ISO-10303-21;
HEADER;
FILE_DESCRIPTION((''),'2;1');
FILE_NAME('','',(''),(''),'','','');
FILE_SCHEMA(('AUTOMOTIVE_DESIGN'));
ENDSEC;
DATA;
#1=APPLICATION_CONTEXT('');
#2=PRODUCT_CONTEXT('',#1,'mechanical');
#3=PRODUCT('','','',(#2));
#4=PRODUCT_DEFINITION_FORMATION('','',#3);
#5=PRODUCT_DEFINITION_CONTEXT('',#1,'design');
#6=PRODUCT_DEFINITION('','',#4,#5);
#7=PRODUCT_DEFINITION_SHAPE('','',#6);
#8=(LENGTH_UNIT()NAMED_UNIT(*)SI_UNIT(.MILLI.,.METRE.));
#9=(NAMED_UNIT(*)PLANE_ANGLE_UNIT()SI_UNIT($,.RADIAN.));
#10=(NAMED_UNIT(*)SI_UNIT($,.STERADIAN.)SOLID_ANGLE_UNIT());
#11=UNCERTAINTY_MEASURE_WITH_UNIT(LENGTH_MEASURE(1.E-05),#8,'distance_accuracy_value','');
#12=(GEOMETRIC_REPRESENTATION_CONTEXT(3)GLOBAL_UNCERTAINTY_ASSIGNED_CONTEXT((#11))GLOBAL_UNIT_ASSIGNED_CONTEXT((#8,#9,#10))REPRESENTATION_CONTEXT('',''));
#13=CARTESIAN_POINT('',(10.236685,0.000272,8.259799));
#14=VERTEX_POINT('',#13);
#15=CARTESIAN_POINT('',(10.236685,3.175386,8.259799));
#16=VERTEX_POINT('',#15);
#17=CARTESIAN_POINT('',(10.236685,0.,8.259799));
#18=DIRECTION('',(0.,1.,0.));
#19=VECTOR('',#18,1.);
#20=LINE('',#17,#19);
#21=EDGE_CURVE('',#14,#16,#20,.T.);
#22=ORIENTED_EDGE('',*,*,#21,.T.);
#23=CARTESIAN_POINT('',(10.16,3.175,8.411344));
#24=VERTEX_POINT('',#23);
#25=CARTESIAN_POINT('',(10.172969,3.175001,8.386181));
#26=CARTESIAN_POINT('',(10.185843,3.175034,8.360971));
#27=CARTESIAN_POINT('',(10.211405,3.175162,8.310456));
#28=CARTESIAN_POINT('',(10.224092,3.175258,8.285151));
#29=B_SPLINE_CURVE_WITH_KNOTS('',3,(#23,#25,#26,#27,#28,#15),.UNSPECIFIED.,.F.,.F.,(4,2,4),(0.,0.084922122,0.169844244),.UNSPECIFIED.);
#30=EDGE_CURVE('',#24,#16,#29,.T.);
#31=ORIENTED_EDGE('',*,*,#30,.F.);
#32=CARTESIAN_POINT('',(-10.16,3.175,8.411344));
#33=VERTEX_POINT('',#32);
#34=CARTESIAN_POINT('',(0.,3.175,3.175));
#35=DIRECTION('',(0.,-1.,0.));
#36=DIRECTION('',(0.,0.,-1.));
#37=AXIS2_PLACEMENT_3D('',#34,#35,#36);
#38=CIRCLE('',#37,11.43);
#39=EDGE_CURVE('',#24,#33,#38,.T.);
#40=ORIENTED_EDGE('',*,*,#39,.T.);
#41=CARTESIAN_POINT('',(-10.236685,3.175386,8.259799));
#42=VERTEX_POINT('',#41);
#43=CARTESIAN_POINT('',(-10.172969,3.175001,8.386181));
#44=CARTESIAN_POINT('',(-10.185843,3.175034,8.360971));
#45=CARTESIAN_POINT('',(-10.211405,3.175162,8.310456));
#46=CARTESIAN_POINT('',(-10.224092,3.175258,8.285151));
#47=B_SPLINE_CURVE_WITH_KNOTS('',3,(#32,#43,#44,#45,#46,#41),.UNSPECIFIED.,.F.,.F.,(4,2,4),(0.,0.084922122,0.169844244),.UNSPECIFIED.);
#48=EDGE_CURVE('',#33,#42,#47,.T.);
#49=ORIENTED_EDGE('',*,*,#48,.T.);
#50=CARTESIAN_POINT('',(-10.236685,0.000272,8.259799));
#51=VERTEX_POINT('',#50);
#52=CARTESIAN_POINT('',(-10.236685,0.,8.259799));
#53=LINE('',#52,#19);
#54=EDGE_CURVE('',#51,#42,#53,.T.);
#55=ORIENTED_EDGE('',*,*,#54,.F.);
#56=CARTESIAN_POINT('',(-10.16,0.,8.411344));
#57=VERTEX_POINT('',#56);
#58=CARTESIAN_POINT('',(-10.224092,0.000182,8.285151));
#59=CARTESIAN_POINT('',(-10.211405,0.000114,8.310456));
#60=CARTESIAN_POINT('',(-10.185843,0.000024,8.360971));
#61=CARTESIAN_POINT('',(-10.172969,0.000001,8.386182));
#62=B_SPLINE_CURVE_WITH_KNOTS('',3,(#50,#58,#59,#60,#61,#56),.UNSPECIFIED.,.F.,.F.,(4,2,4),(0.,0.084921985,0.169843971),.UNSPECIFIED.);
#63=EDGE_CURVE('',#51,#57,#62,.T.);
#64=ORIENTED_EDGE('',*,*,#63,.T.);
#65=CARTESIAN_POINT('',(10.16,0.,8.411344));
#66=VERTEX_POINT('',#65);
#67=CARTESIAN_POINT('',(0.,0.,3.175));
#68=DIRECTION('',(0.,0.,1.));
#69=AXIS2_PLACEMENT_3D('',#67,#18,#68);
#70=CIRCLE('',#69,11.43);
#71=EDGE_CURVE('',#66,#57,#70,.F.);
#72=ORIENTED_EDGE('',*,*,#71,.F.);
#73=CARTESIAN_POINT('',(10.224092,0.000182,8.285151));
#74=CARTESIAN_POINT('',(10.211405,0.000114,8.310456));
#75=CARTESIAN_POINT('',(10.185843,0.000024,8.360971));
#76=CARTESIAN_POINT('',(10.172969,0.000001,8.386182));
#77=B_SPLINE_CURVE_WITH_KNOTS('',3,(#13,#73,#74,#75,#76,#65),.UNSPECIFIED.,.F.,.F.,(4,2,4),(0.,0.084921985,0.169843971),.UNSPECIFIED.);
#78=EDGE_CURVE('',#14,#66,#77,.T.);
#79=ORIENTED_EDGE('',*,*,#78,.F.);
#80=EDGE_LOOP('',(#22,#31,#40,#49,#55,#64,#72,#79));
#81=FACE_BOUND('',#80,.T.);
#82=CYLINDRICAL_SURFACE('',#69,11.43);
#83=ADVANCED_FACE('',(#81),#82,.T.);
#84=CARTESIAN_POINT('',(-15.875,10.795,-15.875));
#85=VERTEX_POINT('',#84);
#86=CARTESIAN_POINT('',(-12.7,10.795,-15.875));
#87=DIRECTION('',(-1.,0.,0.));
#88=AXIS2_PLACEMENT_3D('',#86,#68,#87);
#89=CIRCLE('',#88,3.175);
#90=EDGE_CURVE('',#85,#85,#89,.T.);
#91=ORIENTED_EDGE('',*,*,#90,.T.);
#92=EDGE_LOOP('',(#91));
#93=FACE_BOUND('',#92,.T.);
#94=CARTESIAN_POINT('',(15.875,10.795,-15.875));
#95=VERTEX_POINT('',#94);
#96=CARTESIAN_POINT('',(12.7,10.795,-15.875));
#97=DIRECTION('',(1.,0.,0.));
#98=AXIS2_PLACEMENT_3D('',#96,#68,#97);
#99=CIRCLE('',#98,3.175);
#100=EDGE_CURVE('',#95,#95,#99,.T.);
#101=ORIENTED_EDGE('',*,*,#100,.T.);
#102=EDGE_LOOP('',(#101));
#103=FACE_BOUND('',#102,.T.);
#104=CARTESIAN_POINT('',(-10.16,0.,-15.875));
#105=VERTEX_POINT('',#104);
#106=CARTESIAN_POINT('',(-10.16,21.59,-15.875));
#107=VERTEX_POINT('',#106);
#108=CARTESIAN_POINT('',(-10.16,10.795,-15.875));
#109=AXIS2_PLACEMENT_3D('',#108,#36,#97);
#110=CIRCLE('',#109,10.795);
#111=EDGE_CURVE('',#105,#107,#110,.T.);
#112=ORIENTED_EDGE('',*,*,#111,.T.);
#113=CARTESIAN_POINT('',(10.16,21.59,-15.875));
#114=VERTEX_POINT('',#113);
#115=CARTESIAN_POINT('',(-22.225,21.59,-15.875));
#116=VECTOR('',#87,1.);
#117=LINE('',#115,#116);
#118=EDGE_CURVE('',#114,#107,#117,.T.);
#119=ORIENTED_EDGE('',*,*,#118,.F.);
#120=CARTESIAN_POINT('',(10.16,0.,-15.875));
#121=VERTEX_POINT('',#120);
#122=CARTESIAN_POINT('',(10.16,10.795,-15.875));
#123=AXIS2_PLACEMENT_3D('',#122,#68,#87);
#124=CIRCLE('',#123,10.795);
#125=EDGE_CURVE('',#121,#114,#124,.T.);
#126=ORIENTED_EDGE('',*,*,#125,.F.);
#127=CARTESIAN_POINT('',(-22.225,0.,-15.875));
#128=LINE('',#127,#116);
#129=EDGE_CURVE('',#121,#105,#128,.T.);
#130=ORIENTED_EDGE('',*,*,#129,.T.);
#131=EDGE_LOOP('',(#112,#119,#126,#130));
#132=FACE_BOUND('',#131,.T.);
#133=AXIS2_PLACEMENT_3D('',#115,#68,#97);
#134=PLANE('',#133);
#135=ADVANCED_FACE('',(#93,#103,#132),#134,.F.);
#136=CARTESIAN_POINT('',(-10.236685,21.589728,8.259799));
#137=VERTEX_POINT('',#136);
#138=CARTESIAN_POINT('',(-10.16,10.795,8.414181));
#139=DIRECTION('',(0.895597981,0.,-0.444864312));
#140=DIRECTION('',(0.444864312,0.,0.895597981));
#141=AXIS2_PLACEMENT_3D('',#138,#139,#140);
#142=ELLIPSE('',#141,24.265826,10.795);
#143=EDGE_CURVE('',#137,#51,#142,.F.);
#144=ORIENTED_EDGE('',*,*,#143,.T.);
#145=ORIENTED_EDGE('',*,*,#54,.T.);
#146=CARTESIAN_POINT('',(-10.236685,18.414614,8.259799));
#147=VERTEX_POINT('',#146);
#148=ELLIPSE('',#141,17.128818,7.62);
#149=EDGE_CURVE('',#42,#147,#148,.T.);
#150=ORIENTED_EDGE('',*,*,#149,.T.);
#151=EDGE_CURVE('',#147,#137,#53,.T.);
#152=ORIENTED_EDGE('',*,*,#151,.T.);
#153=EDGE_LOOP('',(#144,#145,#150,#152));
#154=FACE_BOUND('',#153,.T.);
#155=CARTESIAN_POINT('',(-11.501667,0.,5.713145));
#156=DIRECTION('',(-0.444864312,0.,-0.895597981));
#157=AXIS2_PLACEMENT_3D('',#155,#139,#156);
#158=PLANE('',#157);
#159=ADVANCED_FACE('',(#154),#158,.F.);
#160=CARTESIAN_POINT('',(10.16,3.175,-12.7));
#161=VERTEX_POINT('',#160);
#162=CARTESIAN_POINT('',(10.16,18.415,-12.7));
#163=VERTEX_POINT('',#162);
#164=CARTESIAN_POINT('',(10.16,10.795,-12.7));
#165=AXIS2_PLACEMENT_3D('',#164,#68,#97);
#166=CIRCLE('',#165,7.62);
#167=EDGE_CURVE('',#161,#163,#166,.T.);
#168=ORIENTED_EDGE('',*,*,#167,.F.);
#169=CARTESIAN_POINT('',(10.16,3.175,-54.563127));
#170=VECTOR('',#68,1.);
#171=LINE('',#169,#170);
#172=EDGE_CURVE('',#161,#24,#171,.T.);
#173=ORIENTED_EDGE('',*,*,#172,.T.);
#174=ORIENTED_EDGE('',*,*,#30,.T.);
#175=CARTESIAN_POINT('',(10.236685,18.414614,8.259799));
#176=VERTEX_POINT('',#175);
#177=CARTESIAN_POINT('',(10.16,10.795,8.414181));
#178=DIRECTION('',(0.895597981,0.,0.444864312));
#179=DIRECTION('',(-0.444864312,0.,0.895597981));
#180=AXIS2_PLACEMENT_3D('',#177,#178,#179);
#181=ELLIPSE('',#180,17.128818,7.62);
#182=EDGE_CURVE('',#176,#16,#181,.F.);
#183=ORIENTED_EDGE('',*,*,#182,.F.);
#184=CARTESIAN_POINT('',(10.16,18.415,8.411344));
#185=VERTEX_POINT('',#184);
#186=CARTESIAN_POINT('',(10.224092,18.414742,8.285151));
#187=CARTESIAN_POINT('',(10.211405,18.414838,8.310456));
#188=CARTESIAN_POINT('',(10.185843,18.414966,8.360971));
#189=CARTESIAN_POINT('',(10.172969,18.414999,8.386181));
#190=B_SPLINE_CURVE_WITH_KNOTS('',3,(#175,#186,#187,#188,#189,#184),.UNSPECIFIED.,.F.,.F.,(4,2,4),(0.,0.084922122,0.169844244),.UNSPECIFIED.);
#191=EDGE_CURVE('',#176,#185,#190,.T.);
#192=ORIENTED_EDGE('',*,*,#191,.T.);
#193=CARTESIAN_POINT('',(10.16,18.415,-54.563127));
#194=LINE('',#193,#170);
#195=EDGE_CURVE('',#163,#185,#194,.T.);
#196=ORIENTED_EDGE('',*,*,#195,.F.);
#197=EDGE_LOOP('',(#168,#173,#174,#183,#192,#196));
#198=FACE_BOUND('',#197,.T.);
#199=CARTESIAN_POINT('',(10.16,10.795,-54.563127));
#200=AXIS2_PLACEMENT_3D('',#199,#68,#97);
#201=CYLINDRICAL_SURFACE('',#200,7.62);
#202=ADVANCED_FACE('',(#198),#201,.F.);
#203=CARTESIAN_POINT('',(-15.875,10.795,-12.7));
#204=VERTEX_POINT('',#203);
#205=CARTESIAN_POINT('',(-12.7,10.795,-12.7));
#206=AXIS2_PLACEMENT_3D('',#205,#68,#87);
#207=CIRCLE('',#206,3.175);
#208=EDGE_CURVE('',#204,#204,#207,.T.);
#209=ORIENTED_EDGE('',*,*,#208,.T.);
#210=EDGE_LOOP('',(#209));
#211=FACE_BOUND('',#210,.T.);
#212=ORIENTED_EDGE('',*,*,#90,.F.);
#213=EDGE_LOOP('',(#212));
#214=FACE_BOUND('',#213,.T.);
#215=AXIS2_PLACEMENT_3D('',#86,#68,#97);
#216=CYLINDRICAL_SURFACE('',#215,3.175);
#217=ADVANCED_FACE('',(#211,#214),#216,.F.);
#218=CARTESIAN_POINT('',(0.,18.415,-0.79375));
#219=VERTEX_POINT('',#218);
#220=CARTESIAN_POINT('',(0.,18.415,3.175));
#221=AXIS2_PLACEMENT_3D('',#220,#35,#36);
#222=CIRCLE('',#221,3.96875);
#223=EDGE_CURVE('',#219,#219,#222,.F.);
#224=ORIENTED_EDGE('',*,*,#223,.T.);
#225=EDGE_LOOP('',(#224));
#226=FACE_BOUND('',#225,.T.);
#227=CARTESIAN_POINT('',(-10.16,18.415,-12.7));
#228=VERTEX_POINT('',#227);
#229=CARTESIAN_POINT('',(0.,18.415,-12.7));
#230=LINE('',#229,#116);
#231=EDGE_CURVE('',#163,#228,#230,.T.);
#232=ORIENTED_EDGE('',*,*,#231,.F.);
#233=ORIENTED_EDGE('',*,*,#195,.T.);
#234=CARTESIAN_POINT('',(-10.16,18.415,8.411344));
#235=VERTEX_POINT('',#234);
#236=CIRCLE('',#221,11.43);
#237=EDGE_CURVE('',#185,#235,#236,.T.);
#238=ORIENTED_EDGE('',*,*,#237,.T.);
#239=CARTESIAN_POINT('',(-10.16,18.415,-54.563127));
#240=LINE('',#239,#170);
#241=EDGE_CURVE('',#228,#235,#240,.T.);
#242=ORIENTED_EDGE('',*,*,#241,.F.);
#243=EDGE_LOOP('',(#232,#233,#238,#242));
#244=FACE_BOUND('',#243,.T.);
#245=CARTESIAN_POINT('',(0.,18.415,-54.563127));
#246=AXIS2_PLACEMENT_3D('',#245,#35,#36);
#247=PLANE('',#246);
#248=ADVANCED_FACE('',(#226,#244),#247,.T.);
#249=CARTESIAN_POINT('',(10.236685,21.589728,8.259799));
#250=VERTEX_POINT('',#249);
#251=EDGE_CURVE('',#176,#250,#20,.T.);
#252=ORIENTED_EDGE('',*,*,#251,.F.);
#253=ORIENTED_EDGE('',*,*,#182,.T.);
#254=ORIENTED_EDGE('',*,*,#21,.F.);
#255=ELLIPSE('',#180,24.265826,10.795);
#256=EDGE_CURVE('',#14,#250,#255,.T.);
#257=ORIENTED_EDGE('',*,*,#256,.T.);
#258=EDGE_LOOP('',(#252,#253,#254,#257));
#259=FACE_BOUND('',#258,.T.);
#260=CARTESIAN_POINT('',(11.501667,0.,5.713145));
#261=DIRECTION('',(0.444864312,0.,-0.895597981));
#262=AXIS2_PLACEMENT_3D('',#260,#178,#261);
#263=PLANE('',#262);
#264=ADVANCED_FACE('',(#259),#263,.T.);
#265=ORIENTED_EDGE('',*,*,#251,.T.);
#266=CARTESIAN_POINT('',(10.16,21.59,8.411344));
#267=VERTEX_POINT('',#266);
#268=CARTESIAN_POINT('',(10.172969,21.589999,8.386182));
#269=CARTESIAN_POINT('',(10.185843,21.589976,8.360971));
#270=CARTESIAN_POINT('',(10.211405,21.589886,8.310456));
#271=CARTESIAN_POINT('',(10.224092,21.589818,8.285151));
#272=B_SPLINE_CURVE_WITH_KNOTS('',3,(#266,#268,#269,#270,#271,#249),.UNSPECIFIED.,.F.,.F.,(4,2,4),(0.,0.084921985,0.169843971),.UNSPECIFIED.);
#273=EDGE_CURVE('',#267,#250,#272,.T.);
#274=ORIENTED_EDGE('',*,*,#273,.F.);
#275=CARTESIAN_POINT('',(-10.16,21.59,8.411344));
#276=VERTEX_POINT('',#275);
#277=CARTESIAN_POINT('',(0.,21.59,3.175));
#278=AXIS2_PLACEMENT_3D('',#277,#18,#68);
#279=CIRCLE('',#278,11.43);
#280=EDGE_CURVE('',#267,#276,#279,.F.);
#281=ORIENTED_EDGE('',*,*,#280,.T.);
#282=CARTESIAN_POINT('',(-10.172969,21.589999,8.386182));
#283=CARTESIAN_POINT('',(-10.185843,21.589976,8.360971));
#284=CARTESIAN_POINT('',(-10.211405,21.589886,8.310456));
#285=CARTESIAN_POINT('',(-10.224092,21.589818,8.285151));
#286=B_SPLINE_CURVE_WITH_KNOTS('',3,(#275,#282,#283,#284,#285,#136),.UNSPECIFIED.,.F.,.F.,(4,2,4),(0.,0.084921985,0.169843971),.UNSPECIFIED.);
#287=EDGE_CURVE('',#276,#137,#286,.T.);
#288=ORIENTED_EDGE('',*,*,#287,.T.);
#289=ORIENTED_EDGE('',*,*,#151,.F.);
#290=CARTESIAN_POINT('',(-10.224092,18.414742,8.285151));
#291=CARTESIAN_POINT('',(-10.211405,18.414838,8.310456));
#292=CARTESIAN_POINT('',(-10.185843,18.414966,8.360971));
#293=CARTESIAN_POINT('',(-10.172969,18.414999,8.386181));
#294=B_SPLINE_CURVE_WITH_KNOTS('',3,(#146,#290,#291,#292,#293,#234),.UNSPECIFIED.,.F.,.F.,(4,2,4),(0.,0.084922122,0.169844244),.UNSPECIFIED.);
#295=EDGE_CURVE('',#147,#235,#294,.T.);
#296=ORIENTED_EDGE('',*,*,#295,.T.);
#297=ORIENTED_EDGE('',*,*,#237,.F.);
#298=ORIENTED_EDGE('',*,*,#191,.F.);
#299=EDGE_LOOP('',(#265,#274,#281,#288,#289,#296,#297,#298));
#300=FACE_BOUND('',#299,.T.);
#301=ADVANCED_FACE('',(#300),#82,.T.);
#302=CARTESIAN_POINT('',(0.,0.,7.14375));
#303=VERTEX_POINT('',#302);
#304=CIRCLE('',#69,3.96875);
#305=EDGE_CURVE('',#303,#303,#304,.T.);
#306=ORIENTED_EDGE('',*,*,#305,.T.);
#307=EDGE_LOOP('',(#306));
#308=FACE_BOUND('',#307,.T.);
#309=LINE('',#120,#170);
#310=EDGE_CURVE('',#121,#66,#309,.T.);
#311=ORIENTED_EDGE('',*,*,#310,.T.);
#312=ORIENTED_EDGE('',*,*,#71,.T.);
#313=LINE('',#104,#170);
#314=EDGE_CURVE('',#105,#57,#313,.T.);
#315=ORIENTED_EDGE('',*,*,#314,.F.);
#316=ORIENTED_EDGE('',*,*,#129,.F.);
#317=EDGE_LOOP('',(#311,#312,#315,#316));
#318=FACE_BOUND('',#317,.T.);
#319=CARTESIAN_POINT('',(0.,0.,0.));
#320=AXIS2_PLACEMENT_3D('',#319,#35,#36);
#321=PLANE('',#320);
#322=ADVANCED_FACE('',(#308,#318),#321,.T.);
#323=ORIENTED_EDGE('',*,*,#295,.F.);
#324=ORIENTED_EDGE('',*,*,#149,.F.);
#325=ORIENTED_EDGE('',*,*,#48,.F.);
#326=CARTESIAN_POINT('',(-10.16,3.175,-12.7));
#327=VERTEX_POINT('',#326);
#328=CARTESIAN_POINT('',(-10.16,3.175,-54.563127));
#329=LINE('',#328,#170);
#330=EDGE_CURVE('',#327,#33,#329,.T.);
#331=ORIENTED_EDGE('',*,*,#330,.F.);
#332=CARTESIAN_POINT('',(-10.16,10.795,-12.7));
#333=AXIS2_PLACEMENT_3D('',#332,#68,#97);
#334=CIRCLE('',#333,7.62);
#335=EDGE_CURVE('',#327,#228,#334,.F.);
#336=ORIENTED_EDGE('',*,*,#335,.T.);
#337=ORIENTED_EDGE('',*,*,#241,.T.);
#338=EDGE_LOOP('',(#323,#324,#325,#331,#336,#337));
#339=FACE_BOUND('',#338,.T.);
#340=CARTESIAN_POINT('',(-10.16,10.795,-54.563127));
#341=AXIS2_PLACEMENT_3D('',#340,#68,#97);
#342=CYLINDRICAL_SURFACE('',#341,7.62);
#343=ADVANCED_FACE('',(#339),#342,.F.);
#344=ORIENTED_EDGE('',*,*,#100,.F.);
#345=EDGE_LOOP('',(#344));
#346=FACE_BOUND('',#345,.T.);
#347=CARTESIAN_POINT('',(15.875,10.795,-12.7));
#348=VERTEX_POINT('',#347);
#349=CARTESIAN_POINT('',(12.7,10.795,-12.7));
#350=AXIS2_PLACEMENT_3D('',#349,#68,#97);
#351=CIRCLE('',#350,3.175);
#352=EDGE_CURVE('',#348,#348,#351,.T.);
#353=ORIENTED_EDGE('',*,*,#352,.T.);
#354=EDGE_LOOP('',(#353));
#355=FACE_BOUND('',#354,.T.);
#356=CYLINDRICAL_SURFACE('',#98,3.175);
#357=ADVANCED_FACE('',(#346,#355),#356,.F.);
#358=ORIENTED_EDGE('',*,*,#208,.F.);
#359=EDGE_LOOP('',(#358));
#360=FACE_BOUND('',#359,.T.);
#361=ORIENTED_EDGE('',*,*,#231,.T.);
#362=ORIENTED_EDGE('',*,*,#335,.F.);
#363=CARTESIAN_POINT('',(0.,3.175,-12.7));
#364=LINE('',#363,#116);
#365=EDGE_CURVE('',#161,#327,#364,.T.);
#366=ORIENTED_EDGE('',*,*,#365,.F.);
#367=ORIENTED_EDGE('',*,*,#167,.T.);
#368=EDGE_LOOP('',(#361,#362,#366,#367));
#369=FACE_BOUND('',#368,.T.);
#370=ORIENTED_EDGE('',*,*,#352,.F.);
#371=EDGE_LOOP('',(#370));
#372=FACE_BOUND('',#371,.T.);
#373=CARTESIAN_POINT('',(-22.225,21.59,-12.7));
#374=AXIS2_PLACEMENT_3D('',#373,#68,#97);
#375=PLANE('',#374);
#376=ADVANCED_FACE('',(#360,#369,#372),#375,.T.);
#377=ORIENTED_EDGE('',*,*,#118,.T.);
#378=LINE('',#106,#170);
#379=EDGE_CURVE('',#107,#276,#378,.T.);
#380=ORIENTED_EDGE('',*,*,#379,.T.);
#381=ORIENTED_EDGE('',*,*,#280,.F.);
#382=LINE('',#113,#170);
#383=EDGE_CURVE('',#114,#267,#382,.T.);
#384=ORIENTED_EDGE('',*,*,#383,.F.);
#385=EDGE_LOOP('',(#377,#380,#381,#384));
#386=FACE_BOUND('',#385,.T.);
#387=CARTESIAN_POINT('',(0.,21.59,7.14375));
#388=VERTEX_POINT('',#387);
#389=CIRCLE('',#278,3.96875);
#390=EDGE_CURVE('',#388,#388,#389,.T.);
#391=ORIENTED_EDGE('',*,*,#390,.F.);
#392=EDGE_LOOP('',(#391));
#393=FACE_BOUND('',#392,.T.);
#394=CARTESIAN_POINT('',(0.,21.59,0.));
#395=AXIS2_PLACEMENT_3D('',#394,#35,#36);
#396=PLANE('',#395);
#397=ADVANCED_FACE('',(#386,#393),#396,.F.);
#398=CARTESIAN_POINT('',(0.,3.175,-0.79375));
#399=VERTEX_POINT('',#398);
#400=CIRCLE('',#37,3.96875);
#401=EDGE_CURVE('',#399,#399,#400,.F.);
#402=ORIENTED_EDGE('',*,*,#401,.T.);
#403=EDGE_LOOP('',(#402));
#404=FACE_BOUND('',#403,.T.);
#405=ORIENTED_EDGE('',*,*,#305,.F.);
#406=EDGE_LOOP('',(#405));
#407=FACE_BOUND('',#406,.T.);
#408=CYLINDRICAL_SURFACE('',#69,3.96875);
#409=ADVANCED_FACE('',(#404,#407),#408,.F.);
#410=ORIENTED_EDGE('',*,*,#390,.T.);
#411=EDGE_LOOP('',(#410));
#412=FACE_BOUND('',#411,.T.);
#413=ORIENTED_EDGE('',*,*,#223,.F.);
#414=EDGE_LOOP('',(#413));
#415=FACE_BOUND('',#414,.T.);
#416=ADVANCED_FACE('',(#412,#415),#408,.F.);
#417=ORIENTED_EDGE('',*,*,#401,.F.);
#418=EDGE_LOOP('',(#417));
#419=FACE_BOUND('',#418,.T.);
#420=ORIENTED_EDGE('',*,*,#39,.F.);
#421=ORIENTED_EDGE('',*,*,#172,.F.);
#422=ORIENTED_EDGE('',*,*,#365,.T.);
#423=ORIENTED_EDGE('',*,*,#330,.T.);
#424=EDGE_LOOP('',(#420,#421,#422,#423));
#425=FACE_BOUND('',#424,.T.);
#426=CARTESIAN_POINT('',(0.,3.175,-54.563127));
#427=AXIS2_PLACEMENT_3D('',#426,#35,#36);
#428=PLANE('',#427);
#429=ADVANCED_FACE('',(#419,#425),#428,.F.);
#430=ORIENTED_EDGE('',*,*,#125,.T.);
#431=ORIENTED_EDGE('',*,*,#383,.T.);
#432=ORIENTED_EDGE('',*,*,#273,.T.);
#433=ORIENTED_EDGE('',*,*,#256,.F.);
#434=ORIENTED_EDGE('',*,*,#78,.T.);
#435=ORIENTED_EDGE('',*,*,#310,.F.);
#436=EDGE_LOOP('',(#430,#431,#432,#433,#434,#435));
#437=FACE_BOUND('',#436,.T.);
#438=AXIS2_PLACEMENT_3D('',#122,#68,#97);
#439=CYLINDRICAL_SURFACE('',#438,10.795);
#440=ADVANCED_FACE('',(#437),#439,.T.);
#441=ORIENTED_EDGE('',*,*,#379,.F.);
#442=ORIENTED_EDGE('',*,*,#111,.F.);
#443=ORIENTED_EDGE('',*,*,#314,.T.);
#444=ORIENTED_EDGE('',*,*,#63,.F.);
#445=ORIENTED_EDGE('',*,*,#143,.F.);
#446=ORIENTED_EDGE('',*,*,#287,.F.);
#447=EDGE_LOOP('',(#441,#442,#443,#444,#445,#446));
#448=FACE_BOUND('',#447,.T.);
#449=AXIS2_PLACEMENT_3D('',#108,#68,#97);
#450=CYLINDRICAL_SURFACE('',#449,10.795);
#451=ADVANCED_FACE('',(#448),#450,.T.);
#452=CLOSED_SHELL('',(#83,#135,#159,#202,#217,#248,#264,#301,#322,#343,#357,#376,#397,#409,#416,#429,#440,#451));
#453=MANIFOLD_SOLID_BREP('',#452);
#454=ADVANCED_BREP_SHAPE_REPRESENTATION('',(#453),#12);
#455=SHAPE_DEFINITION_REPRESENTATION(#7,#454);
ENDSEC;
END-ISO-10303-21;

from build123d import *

# Parameters (mm, degrees)
SKETCH1_W          = 44.45
SKETCH1_H          = 31.75
BILLET_DEPTH       = 21.59
SKETCH2_R          = 3.96875
MILL_CUT_1_DEPTH   = 22.59
CUT_EXTRUDE1_DEPTH = 27.305
CUT_EXTRUDE2_DEPTH = 31.48
SKETCH9_R          = 3.175
HOLES_DEPTH        = 4.1750001


with BuildPart() as part:
    # Sketch1 → Billet (new body)
    with BuildSketch(Plane(origin=(0, 0, 0), x_dir=(1, 0, 0), z_dir=(0, 1, 0))):
        Rectangle(SKETCH1_W, SKETCH1_H)
    extrude(amount=BILLET_DEPTH)

    # Sketch2 → Mill Cut 1 (cut, through all)
    with BuildSketch(Plane(origin=(0, 21.59, 0), x_dir=(1, 0, 0), z_dir=(0, 1, 0))):
        with Locations((0, -3.175)):
            Circle(SKETCH2_R)
        with BuildLine():
            Line((-10.236684927, -8.259799082), (-22.225, 15.875))
            Line((-22.225, 15.875), (-22.225, -15.875))
            Line((-22.225, -15.875), (22.225, -15.875))
            Line((22.225, -15.875), (22.225, 15.875))
            Line((22.225, 15.875), (10.236684927, -8.259799082))
            ThreePointArc((10.236684927, -8.259799082), (0, -14.605), (-10.236684927, -8.259799082))
        make_face()
    extrude(amount=-MILL_CUT_1_DEPTH, mode=Mode.SUBTRACT)

    # Sketch6 → Cut-Extrude1 (cut)
    with BuildSketch(Plane(origin=(0, 21.59, 14.605), x_dir=(1, 0, 0), z_dir=(0, 0, 1))):
        with BuildLine():
            Line((-10.16, -3.175), (10.16, -3.175))
            ThreePointArc((10.16, -3.175), (17.78, -10.795), (10.16, -18.415))
            Line((10.16, -18.415), (-10.16, -18.415))
            ThreePointArc((-10.16, -18.415), (-17.78, -10.795), (-10.16, -3.175))
        make_face()
    extrude(amount=-CUT_EXTRUDE1_DEPTH, mode=Mode.SUBTRACT)

    # Sketch8 → Cut-Extrude2 (cut, through all)
    with BuildSketch(Plane(origin=(0, 21.59, 14.605), x_dir=(1, 0, 0), z_dir=(0, 0, 1))):
        with BuildLine():
            Line((-10.16, -21.59), (-60.96, -21.59))
            Line((-60.96, -21.59), (-60.96, 0))
            Line((-60.96, 0), (-10.16, 0))
            ThreePointArc((-10.16, 0), (-20.955, -10.795), (-10.16, -21.59))
        make_face()
    cut_extrude2 = extrude(amount=-CUT_EXTRUDE2_DEPTH, mode=Mode.SUBTRACT)

    # Mirror1: Cut-Extrude2 across plane
    add(cut_extrude2.mirror(Plane(origin=(0, 0, 0), x_dir=(0, 0, 1), z_dir=(1, 0, 0))), mode=Mode.SUBTRACT)

    # Sketch9 → Holes (cut, through all)
    with BuildSketch(Plane.XY.offset(-12.7)):
        with Locations((12.7, 10.795)):
            Circle(SKETCH9_R)
        with Locations((-12.7, 10.795)):
            Circle(SKETCH9_R)
    extrude(amount=-HOLES_DEPTH, mode=Mode.SUBTRACT)


solid = part.part
